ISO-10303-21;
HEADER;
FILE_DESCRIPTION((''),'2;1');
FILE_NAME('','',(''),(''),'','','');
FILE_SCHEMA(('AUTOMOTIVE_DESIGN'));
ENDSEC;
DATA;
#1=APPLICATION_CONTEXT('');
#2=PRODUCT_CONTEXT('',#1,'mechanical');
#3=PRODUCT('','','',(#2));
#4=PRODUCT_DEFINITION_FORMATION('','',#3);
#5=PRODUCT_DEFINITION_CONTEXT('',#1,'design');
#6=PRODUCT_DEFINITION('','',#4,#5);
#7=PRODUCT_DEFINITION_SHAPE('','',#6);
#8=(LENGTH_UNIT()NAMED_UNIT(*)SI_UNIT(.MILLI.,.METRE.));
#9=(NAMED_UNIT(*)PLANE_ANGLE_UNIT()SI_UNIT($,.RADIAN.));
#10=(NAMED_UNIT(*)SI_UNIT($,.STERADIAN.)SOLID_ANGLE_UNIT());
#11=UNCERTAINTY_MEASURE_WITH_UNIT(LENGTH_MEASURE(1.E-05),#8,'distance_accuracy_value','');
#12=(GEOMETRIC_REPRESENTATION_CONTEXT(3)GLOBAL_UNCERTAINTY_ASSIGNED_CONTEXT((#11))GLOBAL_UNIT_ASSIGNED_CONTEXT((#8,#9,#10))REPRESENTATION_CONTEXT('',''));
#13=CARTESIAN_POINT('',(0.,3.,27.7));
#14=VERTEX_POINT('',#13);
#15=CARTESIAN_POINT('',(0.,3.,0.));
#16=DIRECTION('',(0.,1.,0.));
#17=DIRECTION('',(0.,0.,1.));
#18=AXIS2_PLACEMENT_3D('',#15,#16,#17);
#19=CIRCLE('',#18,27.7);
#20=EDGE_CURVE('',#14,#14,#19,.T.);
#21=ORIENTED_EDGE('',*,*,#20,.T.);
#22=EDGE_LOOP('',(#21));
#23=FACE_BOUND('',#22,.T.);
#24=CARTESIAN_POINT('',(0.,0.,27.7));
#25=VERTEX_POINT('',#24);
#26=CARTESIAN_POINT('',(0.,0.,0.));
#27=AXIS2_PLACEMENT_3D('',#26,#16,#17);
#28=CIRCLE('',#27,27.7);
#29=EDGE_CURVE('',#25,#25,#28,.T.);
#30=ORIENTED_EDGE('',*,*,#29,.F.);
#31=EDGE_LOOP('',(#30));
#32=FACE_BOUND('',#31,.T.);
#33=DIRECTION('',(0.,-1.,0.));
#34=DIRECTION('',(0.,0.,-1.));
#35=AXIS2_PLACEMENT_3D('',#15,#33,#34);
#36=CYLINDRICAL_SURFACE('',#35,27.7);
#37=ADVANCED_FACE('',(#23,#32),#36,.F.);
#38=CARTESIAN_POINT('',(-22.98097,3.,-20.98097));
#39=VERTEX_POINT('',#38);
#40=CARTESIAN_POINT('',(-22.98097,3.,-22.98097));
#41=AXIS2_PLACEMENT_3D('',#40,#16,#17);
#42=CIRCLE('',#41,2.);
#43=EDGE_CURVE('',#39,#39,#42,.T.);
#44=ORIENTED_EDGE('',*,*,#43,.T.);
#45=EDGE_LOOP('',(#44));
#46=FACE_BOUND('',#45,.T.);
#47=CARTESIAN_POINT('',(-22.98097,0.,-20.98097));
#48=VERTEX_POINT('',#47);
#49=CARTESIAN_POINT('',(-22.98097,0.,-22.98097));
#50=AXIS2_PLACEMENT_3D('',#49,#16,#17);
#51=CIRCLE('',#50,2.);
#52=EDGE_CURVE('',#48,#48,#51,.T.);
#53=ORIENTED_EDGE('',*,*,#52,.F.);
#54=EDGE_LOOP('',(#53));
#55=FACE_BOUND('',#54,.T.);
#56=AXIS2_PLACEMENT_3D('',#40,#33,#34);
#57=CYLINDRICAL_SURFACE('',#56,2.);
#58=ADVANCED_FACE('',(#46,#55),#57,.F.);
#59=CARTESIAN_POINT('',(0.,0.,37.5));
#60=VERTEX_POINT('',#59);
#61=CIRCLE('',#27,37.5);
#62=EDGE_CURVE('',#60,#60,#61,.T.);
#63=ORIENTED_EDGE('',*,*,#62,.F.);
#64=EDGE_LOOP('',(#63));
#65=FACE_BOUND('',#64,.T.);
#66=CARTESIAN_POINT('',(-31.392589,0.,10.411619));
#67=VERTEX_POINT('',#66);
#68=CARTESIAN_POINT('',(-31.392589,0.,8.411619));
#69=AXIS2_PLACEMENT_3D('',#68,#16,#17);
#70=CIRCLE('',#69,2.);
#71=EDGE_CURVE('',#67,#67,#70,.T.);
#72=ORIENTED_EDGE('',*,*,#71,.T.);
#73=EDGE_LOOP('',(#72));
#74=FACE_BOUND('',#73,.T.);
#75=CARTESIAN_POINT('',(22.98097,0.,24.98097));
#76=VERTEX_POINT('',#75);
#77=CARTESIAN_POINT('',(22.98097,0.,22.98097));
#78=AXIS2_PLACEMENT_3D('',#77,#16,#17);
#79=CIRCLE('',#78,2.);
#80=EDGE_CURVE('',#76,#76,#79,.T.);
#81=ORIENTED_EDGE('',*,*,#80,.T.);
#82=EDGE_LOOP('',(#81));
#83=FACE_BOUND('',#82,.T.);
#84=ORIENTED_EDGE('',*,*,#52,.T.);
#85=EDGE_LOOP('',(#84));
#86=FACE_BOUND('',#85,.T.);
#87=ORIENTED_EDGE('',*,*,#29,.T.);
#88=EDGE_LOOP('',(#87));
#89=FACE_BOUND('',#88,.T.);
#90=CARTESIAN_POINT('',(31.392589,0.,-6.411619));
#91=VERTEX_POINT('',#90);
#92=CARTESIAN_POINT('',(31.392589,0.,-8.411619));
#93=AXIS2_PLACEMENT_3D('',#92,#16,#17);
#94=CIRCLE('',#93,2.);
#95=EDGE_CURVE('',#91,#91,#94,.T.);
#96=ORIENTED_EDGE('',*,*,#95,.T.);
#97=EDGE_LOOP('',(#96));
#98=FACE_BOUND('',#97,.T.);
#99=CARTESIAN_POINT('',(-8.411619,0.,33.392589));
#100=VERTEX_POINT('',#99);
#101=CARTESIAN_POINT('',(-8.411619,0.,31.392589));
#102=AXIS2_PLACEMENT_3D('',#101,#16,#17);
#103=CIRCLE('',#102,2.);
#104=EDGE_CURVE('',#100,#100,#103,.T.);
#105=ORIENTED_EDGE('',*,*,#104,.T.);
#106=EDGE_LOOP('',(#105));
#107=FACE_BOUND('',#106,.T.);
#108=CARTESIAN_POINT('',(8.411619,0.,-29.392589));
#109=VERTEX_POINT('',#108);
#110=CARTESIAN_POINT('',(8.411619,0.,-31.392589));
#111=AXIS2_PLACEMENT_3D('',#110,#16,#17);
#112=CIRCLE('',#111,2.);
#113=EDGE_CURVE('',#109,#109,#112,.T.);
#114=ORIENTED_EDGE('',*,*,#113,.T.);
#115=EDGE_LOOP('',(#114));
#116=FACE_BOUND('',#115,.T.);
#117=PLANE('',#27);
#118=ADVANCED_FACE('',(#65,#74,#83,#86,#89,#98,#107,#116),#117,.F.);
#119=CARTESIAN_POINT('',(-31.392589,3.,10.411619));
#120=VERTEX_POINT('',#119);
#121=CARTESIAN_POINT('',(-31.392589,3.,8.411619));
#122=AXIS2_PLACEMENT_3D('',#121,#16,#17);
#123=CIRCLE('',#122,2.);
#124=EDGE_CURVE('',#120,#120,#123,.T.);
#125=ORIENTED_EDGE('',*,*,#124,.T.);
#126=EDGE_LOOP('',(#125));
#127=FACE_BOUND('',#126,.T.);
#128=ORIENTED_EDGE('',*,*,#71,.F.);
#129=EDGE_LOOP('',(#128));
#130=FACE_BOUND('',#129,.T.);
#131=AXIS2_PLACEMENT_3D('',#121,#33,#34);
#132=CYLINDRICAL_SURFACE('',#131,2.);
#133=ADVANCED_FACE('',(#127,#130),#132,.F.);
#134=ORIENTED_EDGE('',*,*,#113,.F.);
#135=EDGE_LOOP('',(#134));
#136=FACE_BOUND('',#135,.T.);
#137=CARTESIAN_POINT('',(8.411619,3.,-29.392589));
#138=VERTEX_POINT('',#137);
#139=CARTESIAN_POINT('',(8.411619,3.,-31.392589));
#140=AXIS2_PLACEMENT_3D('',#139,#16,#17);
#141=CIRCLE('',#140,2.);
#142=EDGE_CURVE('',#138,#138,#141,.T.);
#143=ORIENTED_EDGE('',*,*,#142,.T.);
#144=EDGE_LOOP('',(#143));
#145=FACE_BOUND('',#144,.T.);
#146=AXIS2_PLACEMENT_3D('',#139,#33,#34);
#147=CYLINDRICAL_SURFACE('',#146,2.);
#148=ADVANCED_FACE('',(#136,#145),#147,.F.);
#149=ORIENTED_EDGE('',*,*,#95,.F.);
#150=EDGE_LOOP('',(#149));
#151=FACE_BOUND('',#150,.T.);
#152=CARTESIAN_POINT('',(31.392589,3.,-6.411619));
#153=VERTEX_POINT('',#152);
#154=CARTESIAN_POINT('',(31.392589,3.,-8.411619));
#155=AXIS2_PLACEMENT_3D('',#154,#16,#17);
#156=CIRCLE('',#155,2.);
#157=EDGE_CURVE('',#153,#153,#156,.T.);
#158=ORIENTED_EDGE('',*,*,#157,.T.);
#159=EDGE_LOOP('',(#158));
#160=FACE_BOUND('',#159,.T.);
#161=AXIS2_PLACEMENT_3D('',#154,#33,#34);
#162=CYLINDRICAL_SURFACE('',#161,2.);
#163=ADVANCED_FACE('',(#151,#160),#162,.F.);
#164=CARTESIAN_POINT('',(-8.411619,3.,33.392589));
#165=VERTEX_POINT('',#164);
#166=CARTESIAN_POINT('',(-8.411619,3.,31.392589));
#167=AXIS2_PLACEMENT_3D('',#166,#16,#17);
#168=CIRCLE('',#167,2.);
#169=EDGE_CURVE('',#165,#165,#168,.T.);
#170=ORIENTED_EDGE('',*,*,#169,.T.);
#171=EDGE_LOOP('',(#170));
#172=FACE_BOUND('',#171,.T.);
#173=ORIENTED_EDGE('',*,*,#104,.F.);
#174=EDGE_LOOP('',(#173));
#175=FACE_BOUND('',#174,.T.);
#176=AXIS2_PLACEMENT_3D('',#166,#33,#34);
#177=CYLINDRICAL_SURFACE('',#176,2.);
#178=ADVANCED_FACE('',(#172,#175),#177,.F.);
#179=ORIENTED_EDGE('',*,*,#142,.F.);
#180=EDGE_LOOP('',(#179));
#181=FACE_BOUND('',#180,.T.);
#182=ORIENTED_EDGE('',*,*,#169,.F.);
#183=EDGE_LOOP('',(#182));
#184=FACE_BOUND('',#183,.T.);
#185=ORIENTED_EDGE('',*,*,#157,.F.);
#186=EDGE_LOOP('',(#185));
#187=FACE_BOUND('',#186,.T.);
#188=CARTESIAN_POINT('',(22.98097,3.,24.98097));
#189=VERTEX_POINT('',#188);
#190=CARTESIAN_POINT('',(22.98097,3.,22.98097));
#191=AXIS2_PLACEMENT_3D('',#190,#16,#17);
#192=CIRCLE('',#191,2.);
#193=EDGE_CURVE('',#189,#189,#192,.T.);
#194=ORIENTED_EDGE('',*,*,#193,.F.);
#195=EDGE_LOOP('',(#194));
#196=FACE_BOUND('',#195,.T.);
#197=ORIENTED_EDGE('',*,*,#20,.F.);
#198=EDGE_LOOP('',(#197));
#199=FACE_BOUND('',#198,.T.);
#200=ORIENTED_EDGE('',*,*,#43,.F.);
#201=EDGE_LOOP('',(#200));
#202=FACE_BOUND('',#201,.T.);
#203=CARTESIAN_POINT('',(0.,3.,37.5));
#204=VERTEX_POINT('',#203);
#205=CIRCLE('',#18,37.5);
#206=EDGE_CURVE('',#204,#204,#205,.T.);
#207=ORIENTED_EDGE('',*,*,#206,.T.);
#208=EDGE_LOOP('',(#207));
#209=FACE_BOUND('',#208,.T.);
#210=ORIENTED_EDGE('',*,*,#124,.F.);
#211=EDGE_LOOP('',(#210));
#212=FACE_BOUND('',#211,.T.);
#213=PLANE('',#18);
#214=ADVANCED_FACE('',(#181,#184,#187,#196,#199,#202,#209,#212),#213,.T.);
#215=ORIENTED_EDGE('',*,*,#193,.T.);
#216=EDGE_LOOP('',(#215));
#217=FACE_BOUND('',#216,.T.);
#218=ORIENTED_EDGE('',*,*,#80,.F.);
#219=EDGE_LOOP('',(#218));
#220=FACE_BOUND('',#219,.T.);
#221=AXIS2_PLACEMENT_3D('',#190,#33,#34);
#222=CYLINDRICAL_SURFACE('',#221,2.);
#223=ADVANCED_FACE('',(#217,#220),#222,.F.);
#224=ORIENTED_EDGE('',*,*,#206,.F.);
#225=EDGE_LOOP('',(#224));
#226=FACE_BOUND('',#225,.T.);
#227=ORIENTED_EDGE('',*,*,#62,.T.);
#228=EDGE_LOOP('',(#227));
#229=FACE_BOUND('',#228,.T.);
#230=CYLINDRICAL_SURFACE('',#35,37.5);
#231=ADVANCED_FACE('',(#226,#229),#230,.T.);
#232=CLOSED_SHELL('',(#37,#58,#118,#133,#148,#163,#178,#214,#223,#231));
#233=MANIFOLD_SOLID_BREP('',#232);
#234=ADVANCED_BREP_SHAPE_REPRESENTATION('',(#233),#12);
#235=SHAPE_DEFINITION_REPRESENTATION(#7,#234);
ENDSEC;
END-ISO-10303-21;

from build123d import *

# Parameters (mm, degrees)
SKETCH1_R           = 37.5
SKETCH1_R_2         = 27.7
SKETCH1_R_3         = 2
BOSS_EXTRUDE1_DEPTH = 3


with BuildPart() as part:
    # Sketch1 → Boss-Extrude1 (new body)
    with BuildSketch(Plane(origin=(0, 0, 0), x_dir=(1, 0, 0), z_dir=(0, 1, 0))):
        Circle(SKETCH1_R)
        Circle(SKETCH1_R_2, mode=Mode.SUBTRACT)
        with Locations((22.980970389, -22.980970389)):
            Circle(SKETCH1_R_3, mode=Mode.SUBTRACT)
        with Locations((-8.411618966, -31.392589354)):
            Circle(SKETCH1_R_3, mode=Mode.SUBTRACT)
        with Locations((-31.392589354, -8.411618966)):
            Circle(SKETCH1_R_3, mode=Mode.SUBTRACT)
        with Locations((-22.980970389, 22.980970389)):
            Circle(SKETCH1_R_3, mode=Mode.SUBTRACT)
        with Locations((8.411618966, 31.392589354)):
            Circle(SKETCH1_R_3, mode=Mode.SUBTRACT)
        with Locations((31.392589354, 8.411618966)):
            Circle(SKETCH1_R_3, mode=Mode.SUBTRACT)
    extrude(amount=BOSS_EXTRUDE1_DEPTH)


solid = part.part
